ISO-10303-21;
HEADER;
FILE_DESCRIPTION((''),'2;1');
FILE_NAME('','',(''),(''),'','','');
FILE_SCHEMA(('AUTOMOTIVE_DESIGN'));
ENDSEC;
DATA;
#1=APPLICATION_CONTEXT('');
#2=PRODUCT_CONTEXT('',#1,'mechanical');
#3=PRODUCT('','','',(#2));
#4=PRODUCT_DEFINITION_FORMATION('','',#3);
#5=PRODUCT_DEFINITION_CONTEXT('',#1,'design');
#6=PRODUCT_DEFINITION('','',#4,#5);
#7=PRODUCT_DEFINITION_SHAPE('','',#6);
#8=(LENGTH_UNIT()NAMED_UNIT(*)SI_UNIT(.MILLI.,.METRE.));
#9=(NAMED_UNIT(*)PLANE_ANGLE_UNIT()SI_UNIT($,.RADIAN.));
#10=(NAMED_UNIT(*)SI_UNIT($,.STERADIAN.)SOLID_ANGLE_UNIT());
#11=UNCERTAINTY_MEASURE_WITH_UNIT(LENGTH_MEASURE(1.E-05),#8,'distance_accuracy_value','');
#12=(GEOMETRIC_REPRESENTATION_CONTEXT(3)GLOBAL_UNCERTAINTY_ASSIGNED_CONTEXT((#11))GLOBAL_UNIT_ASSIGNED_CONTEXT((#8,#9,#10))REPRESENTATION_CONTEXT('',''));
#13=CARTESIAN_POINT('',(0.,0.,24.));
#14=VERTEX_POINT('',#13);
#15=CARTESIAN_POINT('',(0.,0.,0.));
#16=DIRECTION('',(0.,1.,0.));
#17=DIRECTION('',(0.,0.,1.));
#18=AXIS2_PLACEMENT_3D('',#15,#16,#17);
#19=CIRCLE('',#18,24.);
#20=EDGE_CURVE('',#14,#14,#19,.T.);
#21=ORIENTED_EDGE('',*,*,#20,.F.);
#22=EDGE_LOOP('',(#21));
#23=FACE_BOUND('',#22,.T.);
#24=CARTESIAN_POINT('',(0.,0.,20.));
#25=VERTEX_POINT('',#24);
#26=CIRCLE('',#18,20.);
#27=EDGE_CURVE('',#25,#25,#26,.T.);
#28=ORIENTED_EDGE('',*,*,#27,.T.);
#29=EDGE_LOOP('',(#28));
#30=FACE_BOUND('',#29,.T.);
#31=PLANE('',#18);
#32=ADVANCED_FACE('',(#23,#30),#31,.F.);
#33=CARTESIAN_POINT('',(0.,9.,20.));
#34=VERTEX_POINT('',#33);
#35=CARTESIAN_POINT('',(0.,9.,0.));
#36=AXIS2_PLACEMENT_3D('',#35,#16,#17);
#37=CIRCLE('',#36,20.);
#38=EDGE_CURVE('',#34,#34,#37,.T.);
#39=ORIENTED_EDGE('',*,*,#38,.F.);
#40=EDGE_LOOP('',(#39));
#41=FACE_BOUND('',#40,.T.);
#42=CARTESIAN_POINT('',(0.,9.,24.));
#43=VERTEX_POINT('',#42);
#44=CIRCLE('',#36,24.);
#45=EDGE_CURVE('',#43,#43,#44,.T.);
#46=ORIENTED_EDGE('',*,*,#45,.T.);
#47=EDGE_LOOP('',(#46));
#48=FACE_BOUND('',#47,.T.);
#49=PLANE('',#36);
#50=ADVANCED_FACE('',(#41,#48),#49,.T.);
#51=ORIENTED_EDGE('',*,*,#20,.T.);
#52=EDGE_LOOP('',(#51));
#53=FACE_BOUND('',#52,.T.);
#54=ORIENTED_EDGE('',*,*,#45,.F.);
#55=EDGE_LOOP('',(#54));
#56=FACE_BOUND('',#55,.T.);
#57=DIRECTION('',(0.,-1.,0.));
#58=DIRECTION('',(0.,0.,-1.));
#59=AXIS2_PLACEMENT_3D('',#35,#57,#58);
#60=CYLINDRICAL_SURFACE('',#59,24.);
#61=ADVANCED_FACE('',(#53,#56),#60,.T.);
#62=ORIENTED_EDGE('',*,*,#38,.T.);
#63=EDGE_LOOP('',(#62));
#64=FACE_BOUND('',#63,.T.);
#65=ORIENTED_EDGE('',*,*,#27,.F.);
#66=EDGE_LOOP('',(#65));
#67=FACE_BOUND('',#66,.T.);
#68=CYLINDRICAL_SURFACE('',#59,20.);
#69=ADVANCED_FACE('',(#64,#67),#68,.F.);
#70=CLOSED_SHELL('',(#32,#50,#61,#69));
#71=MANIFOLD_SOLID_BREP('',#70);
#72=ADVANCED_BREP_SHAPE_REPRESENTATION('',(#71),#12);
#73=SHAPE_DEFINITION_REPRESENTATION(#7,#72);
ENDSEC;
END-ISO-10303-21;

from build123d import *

# Parameters (mm, degrees)
SKETCH_1_R      = 24
SKETCH_1_R_2    = 20
EXTRUDE_2_DEPTH = 9


with BuildPart() as part:
    # 草图1 → 凸台-拉伸2 (new body)
    with BuildSketch(Plane(origin=(0, 0, 0), x_dir=(1, 0, 0), z_dir=(0, 1, 0))):
        with Locations(Location((0, 0, 0), (0, 0, 270))):
            Circle(SKETCH_1_R)
        with Locations(Location((0, 0, 0), (0, 0, 270))):
            Circle(SKETCH_1_R_2, mode=Mode.SUBTRACT)
    extrude(amount=EXTRUDE_2_DEPTH)


solid = part.part
